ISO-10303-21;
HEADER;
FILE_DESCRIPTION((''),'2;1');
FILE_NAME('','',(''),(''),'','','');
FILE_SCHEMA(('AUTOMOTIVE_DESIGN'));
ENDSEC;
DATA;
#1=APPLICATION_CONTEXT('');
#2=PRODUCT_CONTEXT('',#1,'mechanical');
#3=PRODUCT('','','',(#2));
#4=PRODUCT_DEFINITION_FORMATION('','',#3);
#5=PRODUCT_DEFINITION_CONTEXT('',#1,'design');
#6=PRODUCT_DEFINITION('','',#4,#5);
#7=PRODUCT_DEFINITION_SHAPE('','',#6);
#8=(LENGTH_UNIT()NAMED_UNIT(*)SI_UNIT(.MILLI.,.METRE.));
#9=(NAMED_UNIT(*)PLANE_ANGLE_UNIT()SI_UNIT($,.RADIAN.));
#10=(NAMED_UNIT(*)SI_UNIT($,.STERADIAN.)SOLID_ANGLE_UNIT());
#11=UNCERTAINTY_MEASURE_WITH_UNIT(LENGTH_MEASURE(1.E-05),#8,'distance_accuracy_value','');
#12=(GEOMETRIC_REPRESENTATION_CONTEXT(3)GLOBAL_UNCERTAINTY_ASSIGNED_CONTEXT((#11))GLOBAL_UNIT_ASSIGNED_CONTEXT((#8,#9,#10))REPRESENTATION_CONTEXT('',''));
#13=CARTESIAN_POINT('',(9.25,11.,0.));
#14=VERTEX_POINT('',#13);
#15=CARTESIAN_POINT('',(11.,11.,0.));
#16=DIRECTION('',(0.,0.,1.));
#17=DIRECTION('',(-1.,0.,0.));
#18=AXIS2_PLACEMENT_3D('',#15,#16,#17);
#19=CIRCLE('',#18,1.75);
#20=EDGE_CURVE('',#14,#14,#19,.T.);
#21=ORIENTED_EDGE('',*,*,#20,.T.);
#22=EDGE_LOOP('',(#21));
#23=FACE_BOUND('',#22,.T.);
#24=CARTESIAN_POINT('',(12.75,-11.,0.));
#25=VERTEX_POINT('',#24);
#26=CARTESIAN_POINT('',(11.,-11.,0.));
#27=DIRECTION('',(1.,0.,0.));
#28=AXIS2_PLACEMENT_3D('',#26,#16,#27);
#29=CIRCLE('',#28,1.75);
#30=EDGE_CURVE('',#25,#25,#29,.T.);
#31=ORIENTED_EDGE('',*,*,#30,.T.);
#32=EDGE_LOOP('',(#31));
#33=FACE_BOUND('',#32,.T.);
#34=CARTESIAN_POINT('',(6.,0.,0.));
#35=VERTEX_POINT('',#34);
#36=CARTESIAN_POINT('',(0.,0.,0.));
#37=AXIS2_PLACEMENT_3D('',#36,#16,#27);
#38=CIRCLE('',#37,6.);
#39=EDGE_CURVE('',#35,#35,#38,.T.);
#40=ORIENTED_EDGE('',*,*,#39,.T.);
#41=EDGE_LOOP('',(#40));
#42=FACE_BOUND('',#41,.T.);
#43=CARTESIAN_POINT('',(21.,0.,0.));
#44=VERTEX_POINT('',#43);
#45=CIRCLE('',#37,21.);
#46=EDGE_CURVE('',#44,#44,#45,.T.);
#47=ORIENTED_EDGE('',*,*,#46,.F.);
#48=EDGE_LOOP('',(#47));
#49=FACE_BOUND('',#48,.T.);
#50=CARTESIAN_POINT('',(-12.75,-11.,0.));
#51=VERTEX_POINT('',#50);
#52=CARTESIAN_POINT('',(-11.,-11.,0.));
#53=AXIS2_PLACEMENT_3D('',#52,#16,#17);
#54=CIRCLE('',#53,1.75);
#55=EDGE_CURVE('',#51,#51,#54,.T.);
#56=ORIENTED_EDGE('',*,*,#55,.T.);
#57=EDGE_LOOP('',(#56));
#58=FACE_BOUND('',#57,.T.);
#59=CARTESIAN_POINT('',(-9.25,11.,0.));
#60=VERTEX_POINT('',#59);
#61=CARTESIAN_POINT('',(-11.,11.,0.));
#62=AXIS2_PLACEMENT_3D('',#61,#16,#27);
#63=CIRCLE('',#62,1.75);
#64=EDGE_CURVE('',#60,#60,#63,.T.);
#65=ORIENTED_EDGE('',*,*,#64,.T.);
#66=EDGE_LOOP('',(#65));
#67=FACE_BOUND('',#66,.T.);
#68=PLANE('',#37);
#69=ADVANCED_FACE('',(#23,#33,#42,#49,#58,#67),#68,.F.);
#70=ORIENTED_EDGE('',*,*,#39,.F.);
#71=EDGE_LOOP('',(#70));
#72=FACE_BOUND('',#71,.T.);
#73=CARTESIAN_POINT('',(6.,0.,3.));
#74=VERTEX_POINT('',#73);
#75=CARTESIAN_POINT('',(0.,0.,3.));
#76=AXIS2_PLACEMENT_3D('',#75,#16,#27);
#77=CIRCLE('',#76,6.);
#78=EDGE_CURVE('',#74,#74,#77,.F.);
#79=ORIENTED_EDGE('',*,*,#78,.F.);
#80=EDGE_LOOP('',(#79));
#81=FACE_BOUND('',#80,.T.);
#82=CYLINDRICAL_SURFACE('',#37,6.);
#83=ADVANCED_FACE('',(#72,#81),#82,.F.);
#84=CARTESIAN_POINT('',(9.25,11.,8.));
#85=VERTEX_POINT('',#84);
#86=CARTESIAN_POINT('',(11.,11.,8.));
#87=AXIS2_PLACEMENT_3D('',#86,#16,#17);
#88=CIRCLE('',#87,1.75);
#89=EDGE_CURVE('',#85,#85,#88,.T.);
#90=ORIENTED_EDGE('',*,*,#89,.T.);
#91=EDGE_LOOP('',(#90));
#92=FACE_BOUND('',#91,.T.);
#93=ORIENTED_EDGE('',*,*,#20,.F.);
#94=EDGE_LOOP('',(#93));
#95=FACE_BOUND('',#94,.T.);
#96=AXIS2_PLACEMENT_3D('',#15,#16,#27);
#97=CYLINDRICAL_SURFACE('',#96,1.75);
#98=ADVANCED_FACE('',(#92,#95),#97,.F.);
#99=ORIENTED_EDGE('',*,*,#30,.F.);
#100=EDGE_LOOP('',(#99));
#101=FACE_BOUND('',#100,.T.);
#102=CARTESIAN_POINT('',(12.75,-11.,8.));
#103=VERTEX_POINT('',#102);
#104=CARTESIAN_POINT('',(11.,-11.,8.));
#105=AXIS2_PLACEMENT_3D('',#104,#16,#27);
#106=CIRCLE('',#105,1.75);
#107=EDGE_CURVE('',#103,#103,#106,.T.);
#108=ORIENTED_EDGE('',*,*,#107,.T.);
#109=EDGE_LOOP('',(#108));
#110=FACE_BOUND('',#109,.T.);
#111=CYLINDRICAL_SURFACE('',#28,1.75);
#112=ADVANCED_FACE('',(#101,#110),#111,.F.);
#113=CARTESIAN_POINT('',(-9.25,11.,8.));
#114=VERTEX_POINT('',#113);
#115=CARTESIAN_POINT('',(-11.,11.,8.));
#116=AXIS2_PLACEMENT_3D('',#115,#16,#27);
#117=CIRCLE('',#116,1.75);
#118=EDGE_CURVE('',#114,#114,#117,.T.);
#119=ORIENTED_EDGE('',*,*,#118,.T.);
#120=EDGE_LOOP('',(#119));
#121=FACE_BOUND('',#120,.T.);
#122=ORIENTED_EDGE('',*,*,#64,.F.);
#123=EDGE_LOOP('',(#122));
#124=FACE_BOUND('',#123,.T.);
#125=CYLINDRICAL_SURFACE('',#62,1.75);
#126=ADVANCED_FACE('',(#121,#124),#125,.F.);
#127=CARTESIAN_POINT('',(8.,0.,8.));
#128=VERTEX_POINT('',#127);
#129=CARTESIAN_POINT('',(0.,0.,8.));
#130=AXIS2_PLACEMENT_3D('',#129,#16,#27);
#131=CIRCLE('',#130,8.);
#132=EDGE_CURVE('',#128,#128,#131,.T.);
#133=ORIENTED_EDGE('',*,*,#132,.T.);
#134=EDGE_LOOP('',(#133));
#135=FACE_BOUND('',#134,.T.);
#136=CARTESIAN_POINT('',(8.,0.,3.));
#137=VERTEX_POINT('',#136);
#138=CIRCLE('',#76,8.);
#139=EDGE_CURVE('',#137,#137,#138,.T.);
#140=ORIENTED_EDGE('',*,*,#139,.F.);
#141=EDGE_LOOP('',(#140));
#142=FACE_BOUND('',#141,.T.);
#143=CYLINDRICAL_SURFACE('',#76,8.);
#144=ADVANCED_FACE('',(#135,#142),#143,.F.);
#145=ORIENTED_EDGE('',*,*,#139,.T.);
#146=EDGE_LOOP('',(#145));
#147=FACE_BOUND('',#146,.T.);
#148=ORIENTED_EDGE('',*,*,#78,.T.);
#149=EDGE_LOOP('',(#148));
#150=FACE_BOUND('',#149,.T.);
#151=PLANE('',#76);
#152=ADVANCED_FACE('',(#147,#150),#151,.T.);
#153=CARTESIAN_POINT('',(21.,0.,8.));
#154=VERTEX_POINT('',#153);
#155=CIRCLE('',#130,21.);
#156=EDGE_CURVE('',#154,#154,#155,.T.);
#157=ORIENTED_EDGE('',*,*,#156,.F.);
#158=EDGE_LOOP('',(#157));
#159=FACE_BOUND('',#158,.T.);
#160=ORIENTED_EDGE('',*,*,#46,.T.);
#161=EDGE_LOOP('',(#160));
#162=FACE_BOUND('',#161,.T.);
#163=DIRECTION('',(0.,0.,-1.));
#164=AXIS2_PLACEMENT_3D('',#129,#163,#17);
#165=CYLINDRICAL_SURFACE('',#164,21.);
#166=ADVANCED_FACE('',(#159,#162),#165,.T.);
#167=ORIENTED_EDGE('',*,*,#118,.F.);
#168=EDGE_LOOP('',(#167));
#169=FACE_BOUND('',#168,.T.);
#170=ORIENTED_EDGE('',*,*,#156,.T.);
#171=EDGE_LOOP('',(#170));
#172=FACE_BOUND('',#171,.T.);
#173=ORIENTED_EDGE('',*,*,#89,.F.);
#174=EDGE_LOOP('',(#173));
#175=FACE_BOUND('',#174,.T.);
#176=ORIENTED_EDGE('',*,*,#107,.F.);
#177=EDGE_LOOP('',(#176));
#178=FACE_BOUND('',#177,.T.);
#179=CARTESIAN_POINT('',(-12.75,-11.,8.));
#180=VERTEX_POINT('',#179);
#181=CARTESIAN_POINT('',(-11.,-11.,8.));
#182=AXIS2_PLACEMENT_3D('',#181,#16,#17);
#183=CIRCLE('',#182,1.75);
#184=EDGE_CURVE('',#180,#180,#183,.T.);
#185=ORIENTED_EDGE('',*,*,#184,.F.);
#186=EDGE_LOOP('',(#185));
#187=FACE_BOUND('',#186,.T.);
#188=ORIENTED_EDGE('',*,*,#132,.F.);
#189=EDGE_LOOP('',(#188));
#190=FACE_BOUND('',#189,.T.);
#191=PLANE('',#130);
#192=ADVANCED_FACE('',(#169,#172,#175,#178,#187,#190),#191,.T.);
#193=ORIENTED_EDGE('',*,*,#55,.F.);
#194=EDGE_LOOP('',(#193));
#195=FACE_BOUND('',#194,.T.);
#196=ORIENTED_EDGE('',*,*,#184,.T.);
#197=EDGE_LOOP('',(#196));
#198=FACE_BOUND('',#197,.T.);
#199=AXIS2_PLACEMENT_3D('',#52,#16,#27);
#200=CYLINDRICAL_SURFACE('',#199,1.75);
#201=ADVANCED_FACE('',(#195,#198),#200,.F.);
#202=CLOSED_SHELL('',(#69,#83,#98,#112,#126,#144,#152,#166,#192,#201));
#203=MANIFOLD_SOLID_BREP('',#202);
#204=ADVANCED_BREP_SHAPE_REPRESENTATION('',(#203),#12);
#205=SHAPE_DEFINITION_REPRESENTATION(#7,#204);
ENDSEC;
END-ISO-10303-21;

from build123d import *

# Parameters (mm, degrees)
SKETCH1_R           = 21
BOSS_EXTRUDE1_DEPTH = 8
SKETCH2_R           = 6
CUT_EXTRUDE1_DEPTH  = 31.757112998
SKETCH3_R           = 8
CUT_EXTRUDE2_DEPTH  = 5
SKETCH4_R           = 1.75
CUT_EXTRUDE3_DEPTH  = 31.757112998


with BuildPart() as part:
    # Sketch1 → Boss-Extrude1 (new body)
    with BuildSketch(Plane.XY):
        Circle(SKETCH1_R)
    extrude(amount=BOSS_EXTRUDE1_DEPTH)

    # Sketch2 → Cut-Extrude1 (cut, through all)
    with BuildSketch(Plane.XY.offset(8)):
        Circle(SKETCH2_R)
    extrude(amount=-CUT_EXTRUDE1_DEPTH, mode=Mode.SUBTRACT)

    # Sketch3 → Cut-Extrude2 (cut)
    with BuildSketch(Plane.XY.offset(8)):
        Circle(SKETCH3_R)
    extrude(amount=-CUT_EXTRUDE2_DEPTH, mode=Mode.SUBTRACT)

    # Sketch4 → Cut-Extrude3 (cut, through all)
    with BuildSketch(Plane.XY.offset(8)):
        with Locations((-11, 11)):
            Circle(SKETCH4_R)
        with Locations(Location((11, 11, 0), (0, 0, 180))):
            Circle(SKETCH4_R)
        with Locations((11, -11)):
            Circle(SKETCH4_R)
        with Locations(Location((-11, -11, 0), (0, 0, 180))):
            Circle(SKETCH4_R)
    extrude(amount=-CUT_EXTRUDE3_DEPTH, mode=Mode.SUBTRACT)


solid = part.part
